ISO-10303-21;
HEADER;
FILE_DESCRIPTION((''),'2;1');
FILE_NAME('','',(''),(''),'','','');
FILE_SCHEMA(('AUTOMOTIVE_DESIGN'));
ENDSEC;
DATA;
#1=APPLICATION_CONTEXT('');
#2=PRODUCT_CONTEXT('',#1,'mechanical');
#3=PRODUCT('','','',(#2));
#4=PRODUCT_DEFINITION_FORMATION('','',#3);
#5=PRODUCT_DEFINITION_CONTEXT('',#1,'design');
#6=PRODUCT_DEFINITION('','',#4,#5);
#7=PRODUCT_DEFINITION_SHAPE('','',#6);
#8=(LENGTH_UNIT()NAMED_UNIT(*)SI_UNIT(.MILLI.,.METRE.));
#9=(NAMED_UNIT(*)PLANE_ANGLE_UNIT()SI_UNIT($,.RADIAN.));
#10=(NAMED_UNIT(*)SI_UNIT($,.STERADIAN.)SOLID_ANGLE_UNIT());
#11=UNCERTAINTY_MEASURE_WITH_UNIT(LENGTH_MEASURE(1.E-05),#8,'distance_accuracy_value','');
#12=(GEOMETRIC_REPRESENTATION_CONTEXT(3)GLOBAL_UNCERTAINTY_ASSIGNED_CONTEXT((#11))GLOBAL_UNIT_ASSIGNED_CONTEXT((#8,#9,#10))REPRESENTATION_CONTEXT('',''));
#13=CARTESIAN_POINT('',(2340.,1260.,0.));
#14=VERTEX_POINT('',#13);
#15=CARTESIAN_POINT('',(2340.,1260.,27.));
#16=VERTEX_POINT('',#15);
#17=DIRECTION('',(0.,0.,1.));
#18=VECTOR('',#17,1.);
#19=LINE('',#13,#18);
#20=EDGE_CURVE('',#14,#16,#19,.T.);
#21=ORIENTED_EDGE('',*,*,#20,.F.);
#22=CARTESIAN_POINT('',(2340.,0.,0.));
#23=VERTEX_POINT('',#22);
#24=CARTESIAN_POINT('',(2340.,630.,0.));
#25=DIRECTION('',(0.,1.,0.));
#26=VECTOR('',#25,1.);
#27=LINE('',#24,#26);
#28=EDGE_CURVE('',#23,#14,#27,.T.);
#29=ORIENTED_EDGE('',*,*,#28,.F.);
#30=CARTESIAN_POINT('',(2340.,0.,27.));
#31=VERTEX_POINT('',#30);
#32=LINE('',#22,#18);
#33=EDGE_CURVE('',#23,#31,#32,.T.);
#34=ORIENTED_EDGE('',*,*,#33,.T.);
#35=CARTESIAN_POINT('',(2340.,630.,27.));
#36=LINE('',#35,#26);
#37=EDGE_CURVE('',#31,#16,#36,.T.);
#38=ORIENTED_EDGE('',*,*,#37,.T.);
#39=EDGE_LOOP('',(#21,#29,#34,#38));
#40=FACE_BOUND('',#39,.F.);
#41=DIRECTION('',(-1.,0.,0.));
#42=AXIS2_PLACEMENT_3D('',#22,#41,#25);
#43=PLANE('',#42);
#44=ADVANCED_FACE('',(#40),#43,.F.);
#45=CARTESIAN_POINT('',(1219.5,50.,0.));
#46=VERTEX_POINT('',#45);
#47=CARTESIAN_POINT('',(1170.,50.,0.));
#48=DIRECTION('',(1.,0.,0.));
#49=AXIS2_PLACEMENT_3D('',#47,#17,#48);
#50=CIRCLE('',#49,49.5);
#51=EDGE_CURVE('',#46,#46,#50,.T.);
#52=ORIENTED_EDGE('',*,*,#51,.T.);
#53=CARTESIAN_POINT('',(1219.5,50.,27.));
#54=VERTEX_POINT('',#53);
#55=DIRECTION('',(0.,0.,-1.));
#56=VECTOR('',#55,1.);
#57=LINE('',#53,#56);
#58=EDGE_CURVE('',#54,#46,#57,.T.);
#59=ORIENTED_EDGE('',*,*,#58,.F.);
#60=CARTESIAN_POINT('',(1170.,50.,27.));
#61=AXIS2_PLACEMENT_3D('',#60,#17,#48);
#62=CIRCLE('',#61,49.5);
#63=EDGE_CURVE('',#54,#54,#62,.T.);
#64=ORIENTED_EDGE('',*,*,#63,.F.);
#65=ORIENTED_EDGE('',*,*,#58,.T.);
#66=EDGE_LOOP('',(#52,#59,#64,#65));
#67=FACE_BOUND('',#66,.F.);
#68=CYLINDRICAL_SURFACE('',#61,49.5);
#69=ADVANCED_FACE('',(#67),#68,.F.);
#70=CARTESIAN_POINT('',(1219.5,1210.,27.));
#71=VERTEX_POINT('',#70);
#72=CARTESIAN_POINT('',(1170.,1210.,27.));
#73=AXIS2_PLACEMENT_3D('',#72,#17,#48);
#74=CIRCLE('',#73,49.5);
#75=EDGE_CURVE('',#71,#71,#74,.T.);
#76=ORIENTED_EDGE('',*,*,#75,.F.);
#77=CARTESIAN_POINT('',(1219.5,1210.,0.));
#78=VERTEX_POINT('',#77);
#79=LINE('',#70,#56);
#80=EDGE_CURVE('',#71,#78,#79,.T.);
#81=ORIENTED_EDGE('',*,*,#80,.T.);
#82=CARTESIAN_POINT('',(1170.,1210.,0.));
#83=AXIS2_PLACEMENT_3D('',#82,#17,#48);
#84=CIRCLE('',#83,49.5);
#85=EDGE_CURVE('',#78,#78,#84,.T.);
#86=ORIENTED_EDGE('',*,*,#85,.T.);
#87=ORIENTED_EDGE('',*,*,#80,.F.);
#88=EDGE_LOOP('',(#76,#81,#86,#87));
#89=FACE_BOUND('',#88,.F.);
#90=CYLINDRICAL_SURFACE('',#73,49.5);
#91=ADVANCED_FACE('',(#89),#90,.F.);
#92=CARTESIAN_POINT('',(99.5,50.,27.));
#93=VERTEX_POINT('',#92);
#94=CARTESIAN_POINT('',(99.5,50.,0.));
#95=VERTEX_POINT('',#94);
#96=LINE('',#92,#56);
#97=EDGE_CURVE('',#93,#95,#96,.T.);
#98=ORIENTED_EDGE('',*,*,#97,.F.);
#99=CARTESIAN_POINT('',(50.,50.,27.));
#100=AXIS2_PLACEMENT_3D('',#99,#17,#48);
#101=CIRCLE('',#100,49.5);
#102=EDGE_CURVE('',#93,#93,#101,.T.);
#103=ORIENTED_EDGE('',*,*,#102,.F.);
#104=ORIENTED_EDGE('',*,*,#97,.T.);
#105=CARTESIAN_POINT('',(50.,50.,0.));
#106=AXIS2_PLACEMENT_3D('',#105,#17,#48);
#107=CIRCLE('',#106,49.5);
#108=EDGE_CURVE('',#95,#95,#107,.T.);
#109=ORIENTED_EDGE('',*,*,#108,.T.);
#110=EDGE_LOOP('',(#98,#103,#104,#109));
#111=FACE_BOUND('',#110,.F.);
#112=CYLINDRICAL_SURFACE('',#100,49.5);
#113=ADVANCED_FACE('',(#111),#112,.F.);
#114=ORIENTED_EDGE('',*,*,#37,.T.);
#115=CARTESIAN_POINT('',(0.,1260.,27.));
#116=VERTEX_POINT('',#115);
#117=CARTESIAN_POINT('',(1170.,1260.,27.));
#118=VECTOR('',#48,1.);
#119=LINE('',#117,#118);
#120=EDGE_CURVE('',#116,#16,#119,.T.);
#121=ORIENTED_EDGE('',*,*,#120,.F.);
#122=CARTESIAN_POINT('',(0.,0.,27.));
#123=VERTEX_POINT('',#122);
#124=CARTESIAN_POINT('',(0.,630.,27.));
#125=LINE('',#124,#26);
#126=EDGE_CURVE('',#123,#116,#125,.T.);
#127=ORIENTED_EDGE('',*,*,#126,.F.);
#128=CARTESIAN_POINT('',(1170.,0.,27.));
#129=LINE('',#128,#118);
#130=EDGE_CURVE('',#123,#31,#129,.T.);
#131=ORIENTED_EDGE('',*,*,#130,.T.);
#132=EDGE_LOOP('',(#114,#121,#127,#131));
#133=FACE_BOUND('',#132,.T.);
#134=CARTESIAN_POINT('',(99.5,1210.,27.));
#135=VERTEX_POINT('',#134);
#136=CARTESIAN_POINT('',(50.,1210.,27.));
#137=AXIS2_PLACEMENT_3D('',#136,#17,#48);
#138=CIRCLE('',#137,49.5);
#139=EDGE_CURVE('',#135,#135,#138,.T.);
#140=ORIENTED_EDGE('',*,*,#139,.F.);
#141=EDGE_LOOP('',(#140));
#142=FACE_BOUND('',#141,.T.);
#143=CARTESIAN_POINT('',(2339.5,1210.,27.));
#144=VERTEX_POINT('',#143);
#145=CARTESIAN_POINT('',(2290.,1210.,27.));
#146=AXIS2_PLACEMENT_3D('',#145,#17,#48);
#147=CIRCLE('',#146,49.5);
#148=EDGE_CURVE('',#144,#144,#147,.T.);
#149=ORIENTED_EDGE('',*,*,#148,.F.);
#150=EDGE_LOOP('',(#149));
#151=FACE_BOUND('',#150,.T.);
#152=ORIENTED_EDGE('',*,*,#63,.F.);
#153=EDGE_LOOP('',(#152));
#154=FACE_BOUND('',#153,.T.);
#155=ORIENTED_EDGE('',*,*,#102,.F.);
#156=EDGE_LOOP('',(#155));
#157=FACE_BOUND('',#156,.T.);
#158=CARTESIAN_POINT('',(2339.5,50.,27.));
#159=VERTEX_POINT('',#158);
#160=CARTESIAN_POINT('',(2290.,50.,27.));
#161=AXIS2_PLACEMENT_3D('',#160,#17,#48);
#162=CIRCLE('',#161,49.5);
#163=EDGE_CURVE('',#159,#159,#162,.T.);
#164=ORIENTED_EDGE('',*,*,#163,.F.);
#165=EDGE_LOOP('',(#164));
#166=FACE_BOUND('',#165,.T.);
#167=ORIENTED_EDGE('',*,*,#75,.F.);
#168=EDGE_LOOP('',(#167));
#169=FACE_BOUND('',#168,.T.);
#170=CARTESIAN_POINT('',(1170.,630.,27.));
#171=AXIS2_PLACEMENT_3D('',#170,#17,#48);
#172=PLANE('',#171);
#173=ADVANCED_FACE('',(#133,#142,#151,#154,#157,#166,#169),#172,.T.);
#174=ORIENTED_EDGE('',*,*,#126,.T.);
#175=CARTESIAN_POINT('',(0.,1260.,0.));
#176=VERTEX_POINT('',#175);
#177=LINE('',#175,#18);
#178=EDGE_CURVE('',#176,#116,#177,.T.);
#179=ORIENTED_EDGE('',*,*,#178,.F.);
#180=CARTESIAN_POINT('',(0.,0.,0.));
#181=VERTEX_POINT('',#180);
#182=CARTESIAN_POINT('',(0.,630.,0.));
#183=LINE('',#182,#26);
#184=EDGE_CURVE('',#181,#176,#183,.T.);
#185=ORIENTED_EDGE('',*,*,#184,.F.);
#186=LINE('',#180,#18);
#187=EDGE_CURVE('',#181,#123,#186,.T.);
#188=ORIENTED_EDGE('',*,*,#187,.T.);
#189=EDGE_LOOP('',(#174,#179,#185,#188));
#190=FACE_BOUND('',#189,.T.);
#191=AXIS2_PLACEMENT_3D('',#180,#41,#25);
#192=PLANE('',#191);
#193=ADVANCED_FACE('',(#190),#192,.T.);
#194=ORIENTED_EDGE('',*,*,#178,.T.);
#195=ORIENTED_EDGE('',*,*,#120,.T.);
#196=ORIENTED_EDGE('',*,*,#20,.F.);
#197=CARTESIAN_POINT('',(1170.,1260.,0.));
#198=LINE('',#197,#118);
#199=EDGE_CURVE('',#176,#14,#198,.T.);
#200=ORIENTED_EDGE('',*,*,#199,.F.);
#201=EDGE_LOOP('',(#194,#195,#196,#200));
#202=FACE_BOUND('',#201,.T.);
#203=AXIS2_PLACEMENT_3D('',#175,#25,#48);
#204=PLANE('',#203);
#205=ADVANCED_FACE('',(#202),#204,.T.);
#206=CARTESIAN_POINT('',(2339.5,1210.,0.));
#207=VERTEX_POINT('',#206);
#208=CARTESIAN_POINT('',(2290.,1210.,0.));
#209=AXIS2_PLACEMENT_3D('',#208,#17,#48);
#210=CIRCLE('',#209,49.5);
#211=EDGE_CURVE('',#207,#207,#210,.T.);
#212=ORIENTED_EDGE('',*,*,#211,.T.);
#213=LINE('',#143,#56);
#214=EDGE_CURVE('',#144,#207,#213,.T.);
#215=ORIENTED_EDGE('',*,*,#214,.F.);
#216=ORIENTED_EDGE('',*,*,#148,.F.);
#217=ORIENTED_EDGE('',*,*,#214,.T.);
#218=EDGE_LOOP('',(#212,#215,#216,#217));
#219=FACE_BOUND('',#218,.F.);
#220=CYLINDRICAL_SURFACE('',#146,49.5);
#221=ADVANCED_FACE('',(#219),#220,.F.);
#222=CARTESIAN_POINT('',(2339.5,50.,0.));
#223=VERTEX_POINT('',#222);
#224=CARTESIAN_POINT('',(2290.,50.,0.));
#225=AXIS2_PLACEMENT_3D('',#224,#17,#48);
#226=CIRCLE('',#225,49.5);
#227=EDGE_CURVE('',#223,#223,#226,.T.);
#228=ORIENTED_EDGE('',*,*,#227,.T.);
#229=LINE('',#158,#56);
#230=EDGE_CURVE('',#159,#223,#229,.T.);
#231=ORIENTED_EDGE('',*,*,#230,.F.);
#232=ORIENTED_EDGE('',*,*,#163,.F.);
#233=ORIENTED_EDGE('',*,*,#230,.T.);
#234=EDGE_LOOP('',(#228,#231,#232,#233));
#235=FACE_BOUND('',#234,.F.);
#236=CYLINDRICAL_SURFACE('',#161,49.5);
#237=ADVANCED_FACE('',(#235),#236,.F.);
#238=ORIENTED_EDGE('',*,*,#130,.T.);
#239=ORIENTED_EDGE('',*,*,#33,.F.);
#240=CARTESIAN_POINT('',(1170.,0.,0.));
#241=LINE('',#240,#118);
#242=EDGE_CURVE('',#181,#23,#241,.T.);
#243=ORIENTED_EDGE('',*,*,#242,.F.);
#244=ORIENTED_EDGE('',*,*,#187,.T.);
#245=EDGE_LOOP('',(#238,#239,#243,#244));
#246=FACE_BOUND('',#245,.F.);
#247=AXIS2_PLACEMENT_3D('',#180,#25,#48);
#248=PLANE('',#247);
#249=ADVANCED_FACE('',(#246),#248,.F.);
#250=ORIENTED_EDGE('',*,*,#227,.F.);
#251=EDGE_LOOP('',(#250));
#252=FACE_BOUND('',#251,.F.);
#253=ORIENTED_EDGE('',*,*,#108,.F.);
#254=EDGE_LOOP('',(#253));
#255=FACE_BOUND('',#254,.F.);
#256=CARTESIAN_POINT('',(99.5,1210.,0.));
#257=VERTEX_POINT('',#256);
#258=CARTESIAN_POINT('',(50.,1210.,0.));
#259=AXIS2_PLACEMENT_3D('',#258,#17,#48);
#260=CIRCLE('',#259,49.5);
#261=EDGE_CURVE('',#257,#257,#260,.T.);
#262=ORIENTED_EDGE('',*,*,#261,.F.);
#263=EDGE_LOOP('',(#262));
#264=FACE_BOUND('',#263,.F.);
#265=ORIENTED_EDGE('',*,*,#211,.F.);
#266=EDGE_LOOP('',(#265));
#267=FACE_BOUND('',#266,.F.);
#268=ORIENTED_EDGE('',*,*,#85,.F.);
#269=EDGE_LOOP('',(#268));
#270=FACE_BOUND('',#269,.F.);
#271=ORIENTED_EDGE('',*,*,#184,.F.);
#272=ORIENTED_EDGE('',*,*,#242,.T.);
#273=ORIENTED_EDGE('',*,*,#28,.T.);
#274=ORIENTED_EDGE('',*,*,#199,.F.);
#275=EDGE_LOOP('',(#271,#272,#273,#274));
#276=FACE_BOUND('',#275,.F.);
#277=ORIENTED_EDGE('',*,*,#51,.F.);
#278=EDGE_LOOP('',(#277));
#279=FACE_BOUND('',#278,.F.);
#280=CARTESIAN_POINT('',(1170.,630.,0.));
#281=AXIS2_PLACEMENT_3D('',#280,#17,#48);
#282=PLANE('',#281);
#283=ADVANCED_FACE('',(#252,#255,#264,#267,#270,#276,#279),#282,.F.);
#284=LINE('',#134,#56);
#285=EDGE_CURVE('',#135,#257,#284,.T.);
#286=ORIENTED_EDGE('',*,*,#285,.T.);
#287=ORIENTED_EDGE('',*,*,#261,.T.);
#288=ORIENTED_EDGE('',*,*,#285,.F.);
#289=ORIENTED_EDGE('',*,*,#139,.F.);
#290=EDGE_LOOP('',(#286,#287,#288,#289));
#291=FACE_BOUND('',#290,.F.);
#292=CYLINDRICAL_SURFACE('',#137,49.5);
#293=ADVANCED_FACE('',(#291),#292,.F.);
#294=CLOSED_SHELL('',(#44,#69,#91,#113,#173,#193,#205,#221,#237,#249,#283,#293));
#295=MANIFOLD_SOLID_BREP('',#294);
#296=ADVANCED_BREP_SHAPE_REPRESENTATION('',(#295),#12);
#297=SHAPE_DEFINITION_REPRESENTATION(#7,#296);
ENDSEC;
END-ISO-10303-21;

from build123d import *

# Parameters (mm, degrees)
F0_W     = 2340
F0_H     = 1260
F1_DEPTH = 27
F2_R     = 49.5
F3_DEPTH = 27.001


with BuildPart() as f1:
    # F0 (on Top) → F1 (new body)
    with BuildSketch(Plane.XY):
        with Locations((1170, 630)):
            Rectangle(F0_W, F0_H)
    extrude(amount=F1_DEPTH)

    # F2 (on face) → F3 (cut, through all)
    with BuildSketch(Plane.XY.offset(27)):
        with Locations((50, 1210)):
            Circle(F2_R)
        with Locations((1170, 1210)):
            Circle(F2_R)
        with Locations((2290, 1210)):
            Circle(F2_R)
        with Locations((2290, 50)):
            Circle(F2_R)
        with Locations((1170, 50)):
            Circle(F2_R)
        with Locations((50, 50)):
            Circle(F2_R)
    extrude(amount=-F3_DEPTH, mode=Mode.SUBTRACT)


solid = f1.part
